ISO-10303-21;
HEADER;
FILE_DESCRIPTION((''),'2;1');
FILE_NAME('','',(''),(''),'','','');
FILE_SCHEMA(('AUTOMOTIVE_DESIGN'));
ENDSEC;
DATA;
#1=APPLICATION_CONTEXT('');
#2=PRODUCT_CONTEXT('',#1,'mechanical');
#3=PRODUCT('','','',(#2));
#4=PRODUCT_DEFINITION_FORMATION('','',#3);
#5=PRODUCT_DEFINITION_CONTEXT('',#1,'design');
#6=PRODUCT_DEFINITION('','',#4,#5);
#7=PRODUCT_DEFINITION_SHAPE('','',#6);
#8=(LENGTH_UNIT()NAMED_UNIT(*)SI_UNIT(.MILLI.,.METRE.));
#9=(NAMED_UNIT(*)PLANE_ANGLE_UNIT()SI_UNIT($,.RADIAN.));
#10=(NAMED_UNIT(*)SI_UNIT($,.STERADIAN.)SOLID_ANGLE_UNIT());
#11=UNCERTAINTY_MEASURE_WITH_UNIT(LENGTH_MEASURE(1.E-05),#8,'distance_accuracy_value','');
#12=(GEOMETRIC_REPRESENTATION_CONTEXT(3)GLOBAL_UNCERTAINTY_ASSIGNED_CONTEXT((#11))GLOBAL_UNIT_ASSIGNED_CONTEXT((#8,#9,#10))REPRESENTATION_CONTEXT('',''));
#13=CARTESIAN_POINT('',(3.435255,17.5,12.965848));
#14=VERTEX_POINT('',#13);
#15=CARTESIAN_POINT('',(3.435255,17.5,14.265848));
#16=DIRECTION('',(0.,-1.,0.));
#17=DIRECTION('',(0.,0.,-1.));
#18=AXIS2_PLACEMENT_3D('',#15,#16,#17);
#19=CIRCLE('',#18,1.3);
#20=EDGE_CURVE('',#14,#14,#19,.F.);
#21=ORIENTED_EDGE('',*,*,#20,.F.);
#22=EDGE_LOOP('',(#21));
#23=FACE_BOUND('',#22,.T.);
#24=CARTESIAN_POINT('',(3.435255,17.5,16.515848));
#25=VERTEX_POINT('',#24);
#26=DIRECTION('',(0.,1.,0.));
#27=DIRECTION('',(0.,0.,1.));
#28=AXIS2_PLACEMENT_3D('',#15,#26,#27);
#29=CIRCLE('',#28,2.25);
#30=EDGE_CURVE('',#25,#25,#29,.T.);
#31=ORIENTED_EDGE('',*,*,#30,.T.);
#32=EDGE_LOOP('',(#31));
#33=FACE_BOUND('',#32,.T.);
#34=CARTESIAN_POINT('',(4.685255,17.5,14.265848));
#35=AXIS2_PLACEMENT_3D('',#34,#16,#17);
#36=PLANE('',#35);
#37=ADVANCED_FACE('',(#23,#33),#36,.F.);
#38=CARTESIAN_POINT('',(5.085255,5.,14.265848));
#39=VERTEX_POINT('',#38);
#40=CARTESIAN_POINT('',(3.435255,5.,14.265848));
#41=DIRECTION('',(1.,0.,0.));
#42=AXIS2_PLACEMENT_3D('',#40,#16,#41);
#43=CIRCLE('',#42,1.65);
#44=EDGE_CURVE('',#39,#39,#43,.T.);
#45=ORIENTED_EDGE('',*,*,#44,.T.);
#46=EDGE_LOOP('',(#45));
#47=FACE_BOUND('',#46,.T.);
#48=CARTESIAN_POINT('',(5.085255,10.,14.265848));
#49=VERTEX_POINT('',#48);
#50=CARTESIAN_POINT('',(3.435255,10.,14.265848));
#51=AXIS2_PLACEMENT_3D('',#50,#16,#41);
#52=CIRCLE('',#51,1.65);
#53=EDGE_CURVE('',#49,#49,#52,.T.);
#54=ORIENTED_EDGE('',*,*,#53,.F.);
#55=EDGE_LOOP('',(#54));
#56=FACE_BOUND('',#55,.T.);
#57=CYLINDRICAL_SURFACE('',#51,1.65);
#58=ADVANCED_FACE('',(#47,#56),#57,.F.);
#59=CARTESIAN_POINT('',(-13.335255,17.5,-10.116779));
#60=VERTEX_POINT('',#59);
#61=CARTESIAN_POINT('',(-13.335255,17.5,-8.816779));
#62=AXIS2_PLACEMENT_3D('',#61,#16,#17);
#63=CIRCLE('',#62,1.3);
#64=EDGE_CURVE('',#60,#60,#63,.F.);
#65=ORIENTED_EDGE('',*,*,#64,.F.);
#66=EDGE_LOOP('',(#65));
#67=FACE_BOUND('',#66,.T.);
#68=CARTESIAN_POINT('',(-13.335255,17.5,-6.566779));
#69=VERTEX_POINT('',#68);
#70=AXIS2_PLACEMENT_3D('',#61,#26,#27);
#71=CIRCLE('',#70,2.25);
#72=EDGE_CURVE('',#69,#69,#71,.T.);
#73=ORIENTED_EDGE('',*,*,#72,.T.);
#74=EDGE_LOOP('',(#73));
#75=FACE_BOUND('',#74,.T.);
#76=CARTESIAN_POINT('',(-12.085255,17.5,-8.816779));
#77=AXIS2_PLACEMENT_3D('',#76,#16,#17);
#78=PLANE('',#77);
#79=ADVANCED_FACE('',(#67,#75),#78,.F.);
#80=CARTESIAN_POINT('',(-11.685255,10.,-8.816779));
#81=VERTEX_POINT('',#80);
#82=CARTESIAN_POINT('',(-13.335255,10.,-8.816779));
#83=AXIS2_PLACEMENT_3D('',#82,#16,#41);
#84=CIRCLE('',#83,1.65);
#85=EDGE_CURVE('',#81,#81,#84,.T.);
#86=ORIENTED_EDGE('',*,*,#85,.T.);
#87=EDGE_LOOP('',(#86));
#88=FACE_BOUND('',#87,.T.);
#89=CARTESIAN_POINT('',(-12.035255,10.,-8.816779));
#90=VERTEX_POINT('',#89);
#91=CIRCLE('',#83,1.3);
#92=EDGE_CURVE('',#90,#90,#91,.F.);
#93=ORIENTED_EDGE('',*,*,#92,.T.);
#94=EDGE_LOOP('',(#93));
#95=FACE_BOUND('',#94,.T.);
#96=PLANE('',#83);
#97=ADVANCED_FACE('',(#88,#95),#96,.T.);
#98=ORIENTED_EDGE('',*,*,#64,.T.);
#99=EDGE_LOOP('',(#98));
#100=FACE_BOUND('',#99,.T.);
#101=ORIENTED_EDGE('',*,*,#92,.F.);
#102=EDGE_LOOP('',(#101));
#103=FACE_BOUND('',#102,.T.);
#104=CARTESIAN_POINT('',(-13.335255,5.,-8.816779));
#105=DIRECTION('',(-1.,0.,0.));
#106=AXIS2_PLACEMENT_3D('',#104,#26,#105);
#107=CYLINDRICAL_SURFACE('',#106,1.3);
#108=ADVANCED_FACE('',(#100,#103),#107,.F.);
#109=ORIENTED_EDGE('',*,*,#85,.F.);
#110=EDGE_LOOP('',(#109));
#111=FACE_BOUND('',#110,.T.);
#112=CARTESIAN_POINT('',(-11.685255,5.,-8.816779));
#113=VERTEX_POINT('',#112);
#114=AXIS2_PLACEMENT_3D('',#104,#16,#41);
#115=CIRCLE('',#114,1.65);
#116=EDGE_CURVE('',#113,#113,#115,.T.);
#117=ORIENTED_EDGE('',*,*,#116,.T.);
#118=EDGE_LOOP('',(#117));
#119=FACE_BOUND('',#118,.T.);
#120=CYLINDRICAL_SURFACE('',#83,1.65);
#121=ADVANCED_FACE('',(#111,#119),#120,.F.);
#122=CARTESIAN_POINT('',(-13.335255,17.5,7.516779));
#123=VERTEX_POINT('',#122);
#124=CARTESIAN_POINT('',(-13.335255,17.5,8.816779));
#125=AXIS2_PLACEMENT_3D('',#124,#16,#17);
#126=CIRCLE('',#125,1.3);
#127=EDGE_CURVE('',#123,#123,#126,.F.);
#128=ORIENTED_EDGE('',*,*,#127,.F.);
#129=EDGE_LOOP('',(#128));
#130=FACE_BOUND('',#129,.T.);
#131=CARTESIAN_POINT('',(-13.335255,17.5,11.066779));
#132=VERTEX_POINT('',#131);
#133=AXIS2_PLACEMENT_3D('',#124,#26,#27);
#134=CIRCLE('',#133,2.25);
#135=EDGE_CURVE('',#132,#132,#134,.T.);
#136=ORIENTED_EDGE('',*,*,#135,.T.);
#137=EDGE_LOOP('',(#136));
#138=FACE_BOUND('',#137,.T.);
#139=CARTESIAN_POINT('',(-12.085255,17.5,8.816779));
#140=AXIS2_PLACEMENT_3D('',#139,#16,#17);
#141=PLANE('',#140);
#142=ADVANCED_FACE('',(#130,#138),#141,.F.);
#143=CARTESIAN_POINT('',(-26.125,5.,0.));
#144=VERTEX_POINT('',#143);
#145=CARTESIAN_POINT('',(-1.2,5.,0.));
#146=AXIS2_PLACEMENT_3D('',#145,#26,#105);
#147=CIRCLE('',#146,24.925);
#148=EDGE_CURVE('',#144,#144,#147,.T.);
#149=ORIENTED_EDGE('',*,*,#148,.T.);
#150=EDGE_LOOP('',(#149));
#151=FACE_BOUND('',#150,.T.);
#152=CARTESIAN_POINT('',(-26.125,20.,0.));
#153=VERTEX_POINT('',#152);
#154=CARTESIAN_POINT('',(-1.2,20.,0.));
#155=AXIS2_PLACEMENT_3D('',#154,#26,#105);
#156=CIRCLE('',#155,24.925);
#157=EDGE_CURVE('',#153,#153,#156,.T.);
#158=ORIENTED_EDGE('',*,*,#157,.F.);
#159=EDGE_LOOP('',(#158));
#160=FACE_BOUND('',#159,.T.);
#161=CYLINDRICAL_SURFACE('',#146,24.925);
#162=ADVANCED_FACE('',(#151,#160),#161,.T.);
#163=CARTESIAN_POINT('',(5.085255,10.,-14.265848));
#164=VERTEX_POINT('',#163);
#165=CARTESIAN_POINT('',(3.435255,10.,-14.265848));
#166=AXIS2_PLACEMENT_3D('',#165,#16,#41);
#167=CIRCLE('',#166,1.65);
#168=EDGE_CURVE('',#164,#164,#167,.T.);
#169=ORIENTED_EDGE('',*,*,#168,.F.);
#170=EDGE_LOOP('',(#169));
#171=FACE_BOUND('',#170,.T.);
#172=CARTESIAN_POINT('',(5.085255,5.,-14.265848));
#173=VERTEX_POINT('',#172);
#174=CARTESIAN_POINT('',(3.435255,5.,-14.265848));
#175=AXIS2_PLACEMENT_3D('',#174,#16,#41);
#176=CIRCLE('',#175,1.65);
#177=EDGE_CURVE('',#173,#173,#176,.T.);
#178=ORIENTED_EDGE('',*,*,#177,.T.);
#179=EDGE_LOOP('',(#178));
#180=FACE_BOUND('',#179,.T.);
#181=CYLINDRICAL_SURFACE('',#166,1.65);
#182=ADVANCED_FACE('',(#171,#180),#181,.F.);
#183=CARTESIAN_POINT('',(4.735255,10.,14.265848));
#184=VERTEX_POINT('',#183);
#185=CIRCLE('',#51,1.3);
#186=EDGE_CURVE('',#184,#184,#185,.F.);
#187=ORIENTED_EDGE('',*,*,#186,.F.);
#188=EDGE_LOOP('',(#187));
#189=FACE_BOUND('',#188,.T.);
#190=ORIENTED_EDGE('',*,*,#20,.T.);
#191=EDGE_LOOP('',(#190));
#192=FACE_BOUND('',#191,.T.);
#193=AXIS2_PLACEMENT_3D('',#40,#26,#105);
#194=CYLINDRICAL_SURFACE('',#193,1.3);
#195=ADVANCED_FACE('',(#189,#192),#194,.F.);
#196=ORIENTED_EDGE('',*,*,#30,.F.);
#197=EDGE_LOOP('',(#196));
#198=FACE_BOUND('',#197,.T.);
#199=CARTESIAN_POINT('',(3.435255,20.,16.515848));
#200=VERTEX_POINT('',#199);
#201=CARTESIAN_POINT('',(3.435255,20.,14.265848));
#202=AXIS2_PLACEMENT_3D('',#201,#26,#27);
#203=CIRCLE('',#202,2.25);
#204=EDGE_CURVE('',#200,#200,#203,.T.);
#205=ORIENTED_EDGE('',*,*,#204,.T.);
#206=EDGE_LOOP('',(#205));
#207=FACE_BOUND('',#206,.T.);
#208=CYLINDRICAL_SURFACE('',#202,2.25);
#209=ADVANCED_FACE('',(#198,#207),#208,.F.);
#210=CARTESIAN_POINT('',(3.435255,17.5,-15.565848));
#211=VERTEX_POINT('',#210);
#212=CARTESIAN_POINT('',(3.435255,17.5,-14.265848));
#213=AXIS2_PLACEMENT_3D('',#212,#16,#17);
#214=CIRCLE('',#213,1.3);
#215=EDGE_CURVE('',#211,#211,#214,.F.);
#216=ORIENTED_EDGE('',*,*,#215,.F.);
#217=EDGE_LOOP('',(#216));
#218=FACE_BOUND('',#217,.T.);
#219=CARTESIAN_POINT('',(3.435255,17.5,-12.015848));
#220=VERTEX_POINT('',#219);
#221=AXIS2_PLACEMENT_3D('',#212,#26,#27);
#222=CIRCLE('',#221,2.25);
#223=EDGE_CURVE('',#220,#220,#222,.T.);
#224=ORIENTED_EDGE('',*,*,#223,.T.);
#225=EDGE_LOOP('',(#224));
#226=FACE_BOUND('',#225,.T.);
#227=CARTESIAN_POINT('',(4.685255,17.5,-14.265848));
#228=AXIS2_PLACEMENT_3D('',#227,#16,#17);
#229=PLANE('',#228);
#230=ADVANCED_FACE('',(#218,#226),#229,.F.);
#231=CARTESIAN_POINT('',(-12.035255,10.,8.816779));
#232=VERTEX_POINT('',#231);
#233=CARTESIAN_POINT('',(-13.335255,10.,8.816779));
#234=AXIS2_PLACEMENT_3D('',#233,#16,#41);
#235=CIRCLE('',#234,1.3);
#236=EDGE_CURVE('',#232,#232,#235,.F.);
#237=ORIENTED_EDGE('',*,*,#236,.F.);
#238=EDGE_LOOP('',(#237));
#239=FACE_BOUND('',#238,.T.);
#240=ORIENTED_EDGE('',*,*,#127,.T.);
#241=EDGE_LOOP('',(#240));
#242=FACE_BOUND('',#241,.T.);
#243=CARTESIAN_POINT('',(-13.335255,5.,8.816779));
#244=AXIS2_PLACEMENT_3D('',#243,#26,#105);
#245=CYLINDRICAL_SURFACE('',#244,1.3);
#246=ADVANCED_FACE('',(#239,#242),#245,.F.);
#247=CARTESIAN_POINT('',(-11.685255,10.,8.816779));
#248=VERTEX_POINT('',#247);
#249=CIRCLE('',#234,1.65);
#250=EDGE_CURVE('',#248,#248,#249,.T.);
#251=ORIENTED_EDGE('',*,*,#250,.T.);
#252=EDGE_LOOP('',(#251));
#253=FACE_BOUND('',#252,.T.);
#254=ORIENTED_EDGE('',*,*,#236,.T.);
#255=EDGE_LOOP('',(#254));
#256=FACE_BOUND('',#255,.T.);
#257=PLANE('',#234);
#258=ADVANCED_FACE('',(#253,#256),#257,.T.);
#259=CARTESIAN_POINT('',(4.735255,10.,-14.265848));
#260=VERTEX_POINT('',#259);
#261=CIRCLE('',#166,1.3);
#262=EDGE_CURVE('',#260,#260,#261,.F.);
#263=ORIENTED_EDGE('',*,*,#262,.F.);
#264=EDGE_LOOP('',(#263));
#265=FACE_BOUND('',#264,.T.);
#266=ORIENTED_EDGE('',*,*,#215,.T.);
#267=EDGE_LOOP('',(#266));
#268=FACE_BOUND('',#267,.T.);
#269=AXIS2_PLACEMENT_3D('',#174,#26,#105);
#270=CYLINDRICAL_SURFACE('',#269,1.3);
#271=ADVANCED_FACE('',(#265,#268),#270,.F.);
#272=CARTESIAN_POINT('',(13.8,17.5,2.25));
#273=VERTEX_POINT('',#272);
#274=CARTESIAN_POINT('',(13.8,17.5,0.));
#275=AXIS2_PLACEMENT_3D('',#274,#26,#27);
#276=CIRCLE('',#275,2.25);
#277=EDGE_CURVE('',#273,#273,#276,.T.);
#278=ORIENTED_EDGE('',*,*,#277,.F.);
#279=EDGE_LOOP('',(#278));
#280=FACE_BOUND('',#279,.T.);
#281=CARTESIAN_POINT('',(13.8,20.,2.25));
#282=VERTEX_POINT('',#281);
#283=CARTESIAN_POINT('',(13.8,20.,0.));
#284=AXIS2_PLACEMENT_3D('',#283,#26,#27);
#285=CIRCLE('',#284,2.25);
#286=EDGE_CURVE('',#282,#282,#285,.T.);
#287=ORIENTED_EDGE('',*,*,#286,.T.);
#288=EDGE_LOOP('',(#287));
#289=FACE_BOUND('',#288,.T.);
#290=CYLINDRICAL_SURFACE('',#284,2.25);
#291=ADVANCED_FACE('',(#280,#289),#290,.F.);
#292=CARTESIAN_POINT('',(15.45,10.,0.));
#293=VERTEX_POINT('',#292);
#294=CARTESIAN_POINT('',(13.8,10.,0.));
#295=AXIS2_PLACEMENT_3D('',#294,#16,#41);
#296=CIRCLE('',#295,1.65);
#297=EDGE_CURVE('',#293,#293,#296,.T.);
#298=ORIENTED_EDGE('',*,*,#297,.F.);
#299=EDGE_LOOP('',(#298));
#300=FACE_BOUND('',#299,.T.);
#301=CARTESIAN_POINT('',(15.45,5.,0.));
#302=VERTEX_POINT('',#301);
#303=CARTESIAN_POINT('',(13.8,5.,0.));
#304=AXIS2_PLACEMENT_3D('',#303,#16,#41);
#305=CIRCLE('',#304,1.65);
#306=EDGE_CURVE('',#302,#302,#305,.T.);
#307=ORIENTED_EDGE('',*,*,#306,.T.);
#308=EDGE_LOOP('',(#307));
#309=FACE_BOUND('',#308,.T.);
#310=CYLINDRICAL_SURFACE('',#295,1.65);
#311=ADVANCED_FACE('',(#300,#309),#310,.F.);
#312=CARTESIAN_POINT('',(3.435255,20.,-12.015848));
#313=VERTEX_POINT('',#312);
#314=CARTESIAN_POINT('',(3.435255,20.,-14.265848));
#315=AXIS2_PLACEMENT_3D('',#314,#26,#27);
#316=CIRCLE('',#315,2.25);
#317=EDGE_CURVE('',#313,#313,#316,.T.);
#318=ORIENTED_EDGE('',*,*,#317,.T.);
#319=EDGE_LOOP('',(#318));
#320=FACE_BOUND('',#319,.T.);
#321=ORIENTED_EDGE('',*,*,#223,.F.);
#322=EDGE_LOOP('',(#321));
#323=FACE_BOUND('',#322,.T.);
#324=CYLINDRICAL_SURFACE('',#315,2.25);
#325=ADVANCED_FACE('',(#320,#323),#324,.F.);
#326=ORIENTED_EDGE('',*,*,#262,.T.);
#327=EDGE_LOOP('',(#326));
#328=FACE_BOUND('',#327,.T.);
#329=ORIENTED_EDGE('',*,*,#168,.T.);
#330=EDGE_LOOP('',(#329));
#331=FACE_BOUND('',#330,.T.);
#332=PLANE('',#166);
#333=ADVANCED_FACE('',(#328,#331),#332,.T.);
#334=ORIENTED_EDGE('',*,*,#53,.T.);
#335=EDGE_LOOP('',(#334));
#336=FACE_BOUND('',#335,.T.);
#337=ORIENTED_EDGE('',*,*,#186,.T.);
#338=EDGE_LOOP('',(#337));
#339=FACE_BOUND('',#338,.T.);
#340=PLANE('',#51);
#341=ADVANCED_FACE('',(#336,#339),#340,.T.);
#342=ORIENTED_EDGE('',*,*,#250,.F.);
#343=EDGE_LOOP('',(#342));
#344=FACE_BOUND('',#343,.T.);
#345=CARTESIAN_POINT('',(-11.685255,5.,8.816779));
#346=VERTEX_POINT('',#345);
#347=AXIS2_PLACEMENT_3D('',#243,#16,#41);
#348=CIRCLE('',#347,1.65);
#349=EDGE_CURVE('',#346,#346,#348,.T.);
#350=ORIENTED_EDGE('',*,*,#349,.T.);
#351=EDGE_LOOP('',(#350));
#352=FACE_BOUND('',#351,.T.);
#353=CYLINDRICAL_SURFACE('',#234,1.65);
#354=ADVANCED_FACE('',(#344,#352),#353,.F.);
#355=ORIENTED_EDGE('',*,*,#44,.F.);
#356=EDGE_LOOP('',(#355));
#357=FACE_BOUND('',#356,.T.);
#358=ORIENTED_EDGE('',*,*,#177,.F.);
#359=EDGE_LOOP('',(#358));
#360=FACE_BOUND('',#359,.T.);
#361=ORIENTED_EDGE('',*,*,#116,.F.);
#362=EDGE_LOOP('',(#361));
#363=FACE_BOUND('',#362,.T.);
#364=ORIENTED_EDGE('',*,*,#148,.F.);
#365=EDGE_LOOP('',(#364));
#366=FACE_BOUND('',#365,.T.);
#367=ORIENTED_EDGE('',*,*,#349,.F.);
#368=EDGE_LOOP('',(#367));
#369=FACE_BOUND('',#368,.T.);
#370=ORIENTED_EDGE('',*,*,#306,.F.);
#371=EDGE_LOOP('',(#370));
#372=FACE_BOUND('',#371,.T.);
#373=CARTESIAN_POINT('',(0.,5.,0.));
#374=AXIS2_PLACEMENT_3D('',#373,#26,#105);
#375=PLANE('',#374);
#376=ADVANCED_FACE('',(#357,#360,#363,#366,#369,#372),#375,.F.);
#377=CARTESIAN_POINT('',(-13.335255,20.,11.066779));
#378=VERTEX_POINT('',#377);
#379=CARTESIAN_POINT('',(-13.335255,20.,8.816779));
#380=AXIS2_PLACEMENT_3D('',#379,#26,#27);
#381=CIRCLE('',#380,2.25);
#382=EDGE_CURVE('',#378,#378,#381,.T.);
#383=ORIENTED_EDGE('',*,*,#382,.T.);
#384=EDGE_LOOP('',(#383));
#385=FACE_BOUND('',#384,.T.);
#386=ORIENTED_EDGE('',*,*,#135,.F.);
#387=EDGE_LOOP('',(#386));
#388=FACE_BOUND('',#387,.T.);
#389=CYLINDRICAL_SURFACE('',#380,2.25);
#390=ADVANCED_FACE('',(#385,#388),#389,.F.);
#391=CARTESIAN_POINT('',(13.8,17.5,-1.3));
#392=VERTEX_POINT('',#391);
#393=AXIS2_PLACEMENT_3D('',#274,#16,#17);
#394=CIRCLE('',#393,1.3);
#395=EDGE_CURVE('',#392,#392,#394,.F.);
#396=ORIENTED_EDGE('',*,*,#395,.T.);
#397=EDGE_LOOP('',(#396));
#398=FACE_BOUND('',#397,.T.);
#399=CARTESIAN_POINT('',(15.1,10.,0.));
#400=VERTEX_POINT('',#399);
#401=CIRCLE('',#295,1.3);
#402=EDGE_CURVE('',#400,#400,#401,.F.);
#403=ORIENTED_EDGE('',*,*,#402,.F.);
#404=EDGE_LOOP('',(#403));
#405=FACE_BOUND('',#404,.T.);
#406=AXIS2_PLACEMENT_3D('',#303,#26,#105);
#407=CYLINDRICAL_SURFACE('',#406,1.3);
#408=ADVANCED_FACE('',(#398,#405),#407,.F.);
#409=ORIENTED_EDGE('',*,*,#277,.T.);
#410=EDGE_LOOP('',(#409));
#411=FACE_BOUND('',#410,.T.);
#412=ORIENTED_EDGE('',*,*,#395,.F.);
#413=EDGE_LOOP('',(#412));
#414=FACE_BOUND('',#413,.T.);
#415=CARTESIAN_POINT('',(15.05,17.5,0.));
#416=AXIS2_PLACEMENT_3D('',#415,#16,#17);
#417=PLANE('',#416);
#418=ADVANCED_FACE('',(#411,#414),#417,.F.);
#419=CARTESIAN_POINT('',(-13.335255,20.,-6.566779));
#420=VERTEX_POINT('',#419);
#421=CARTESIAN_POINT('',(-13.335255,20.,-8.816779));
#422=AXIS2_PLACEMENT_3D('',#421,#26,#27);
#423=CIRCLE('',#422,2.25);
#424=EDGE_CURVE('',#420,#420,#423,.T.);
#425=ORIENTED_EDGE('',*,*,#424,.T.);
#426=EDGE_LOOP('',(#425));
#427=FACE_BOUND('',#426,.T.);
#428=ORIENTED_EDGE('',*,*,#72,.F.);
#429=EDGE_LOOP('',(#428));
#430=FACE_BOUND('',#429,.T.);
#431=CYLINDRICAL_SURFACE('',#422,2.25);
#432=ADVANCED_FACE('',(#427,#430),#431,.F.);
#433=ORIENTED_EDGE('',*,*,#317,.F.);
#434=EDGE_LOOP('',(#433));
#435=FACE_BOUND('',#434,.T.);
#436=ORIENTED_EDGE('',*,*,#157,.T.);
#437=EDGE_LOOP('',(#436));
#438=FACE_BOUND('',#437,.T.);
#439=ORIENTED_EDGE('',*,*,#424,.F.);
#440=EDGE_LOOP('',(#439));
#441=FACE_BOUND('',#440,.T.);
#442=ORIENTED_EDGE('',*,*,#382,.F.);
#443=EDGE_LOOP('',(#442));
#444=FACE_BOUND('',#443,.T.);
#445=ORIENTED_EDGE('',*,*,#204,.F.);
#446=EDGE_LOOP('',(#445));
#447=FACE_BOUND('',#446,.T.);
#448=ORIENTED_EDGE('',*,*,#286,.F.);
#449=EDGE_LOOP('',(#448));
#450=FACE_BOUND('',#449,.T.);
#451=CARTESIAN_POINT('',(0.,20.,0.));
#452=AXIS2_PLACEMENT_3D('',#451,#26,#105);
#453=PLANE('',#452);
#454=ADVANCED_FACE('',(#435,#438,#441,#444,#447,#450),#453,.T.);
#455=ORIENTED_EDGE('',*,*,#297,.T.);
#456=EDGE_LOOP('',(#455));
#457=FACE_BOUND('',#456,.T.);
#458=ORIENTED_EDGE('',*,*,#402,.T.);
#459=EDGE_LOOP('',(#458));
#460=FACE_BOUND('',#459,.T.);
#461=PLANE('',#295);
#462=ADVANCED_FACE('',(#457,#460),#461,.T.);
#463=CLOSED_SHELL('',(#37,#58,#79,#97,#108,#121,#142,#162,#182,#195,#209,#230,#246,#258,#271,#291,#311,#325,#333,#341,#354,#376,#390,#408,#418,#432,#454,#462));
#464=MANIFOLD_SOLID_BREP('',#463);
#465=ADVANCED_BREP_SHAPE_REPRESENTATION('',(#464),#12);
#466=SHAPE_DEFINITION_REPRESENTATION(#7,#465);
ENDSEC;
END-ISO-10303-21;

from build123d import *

# Parameters (mm, degrees)
BOSS_EXTRUDE1_DEPTH              = 5
BOSS_EXTRUDE1_DEPTH_BACK         = 10
SKETCH3_R                        = 24.925
SKETCH3_R_2                      = 1.3
SKETCH6_R                        = 1.65
CUT_EXTRUDE1_DEPTH               = 5
CBORE_FOR_M2_5_SHCS1_D           = 2.5
CBORE_FOR_M2_5_SHCS1_CBORE_D     = 4.5
CBORE_FOR_M2_5_SHCS1_CBORE_DEPTH = 2.5


with BuildPart() as part:
    # Sketch3 → Boss-Extrude1 (new, two sides: drawn at the far end of the back side and taken through both)
    with BuildSketch(Plane(origin=(0, 15, 0), x_dir=(1, 0, 0), z_dir=(0, 1, 0)).offset(-BOSS_EXTRUDE1_DEPTH_BACK)):
        with Locations(Location((-1.2, 0, 0), (0, 0, 180))):
            Circle(SKETCH3_R)
        with Locations(Location((13.8, 0, 0), (0, 0, 180))):
            Circle(SKETCH3_R_2, mode=Mode.SUBTRACT)
        with Locations(Location((3.435254916, -14.265847744, 0), (0, 0, 180))):
            Circle(SKETCH3_R_2, mode=Mode.SUBTRACT)
        with Locations(Location((-13.335254916, -8.816778784, 0), (0, 0, 180))):
            Circle(SKETCH3_R_2, mode=Mode.SUBTRACT)
        with Locations(Location((-13.335254916, 8.816778784, 0), (0, 0, 180))):
            Circle(SKETCH3_R_2, mode=Mode.SUBTRACT)
        with Locations(Location((3.435254916, 14.265847744, 0), (0, 0, 180))):
            Circle(SKETCH3_R_2, mode=Mode.SUBTRACT)
    extrude(amount=BOSS_EXTRUDE1_DEPTH + BOSS_EXTRUDE1_DEPTH_BACK)

    # Sketch6 → Cut-Extrude1 (cut)
    with BuildSketch(Plane.XZ.offset(-5)):
        with Locations((13.8, 0)):
            Circle(SKETCH6_R)
        with Locations((3.435254916, -14.265847744)):
            Circle(SKETCH6_R)
        with Locations((-13.335254915, -8.816778784)):
            Circle(SKETCH6_R)
        with Locations((-13.335254915, 8.816778784)):
            Circle(SKETCH6_R)
        with Locations((3.435254916, 14.265847744)):
            Circle(SKETCH6_R)
    extrude(amount=-CUT_EXTRUDE1_DEPTH, mode=Mode.SUBTRACT)

    # CBORE for M2.5 SHCS1 (through all)
    with Locations(Plane(origin=(0, 20, 0), x_dir=(1, 0, 0), z_dir=(0, 1, 0))):
        with Locations((13.8, 0), (3.435254916, -14.265847744), (-13.335254916, -8.816778784), (3.435254916, 14.265847744), (-13.335254916, 8.816778784)):
            CounterBoreHole(CBORE_FOR_M2_5_SHCS1_D / 2, CBORE_FOR_M2_5_SHCS1_CBORE_D / 2, CBORE_FOR_M2_5_SHCS1_CBORE_DEPTH)


solid = part.part
